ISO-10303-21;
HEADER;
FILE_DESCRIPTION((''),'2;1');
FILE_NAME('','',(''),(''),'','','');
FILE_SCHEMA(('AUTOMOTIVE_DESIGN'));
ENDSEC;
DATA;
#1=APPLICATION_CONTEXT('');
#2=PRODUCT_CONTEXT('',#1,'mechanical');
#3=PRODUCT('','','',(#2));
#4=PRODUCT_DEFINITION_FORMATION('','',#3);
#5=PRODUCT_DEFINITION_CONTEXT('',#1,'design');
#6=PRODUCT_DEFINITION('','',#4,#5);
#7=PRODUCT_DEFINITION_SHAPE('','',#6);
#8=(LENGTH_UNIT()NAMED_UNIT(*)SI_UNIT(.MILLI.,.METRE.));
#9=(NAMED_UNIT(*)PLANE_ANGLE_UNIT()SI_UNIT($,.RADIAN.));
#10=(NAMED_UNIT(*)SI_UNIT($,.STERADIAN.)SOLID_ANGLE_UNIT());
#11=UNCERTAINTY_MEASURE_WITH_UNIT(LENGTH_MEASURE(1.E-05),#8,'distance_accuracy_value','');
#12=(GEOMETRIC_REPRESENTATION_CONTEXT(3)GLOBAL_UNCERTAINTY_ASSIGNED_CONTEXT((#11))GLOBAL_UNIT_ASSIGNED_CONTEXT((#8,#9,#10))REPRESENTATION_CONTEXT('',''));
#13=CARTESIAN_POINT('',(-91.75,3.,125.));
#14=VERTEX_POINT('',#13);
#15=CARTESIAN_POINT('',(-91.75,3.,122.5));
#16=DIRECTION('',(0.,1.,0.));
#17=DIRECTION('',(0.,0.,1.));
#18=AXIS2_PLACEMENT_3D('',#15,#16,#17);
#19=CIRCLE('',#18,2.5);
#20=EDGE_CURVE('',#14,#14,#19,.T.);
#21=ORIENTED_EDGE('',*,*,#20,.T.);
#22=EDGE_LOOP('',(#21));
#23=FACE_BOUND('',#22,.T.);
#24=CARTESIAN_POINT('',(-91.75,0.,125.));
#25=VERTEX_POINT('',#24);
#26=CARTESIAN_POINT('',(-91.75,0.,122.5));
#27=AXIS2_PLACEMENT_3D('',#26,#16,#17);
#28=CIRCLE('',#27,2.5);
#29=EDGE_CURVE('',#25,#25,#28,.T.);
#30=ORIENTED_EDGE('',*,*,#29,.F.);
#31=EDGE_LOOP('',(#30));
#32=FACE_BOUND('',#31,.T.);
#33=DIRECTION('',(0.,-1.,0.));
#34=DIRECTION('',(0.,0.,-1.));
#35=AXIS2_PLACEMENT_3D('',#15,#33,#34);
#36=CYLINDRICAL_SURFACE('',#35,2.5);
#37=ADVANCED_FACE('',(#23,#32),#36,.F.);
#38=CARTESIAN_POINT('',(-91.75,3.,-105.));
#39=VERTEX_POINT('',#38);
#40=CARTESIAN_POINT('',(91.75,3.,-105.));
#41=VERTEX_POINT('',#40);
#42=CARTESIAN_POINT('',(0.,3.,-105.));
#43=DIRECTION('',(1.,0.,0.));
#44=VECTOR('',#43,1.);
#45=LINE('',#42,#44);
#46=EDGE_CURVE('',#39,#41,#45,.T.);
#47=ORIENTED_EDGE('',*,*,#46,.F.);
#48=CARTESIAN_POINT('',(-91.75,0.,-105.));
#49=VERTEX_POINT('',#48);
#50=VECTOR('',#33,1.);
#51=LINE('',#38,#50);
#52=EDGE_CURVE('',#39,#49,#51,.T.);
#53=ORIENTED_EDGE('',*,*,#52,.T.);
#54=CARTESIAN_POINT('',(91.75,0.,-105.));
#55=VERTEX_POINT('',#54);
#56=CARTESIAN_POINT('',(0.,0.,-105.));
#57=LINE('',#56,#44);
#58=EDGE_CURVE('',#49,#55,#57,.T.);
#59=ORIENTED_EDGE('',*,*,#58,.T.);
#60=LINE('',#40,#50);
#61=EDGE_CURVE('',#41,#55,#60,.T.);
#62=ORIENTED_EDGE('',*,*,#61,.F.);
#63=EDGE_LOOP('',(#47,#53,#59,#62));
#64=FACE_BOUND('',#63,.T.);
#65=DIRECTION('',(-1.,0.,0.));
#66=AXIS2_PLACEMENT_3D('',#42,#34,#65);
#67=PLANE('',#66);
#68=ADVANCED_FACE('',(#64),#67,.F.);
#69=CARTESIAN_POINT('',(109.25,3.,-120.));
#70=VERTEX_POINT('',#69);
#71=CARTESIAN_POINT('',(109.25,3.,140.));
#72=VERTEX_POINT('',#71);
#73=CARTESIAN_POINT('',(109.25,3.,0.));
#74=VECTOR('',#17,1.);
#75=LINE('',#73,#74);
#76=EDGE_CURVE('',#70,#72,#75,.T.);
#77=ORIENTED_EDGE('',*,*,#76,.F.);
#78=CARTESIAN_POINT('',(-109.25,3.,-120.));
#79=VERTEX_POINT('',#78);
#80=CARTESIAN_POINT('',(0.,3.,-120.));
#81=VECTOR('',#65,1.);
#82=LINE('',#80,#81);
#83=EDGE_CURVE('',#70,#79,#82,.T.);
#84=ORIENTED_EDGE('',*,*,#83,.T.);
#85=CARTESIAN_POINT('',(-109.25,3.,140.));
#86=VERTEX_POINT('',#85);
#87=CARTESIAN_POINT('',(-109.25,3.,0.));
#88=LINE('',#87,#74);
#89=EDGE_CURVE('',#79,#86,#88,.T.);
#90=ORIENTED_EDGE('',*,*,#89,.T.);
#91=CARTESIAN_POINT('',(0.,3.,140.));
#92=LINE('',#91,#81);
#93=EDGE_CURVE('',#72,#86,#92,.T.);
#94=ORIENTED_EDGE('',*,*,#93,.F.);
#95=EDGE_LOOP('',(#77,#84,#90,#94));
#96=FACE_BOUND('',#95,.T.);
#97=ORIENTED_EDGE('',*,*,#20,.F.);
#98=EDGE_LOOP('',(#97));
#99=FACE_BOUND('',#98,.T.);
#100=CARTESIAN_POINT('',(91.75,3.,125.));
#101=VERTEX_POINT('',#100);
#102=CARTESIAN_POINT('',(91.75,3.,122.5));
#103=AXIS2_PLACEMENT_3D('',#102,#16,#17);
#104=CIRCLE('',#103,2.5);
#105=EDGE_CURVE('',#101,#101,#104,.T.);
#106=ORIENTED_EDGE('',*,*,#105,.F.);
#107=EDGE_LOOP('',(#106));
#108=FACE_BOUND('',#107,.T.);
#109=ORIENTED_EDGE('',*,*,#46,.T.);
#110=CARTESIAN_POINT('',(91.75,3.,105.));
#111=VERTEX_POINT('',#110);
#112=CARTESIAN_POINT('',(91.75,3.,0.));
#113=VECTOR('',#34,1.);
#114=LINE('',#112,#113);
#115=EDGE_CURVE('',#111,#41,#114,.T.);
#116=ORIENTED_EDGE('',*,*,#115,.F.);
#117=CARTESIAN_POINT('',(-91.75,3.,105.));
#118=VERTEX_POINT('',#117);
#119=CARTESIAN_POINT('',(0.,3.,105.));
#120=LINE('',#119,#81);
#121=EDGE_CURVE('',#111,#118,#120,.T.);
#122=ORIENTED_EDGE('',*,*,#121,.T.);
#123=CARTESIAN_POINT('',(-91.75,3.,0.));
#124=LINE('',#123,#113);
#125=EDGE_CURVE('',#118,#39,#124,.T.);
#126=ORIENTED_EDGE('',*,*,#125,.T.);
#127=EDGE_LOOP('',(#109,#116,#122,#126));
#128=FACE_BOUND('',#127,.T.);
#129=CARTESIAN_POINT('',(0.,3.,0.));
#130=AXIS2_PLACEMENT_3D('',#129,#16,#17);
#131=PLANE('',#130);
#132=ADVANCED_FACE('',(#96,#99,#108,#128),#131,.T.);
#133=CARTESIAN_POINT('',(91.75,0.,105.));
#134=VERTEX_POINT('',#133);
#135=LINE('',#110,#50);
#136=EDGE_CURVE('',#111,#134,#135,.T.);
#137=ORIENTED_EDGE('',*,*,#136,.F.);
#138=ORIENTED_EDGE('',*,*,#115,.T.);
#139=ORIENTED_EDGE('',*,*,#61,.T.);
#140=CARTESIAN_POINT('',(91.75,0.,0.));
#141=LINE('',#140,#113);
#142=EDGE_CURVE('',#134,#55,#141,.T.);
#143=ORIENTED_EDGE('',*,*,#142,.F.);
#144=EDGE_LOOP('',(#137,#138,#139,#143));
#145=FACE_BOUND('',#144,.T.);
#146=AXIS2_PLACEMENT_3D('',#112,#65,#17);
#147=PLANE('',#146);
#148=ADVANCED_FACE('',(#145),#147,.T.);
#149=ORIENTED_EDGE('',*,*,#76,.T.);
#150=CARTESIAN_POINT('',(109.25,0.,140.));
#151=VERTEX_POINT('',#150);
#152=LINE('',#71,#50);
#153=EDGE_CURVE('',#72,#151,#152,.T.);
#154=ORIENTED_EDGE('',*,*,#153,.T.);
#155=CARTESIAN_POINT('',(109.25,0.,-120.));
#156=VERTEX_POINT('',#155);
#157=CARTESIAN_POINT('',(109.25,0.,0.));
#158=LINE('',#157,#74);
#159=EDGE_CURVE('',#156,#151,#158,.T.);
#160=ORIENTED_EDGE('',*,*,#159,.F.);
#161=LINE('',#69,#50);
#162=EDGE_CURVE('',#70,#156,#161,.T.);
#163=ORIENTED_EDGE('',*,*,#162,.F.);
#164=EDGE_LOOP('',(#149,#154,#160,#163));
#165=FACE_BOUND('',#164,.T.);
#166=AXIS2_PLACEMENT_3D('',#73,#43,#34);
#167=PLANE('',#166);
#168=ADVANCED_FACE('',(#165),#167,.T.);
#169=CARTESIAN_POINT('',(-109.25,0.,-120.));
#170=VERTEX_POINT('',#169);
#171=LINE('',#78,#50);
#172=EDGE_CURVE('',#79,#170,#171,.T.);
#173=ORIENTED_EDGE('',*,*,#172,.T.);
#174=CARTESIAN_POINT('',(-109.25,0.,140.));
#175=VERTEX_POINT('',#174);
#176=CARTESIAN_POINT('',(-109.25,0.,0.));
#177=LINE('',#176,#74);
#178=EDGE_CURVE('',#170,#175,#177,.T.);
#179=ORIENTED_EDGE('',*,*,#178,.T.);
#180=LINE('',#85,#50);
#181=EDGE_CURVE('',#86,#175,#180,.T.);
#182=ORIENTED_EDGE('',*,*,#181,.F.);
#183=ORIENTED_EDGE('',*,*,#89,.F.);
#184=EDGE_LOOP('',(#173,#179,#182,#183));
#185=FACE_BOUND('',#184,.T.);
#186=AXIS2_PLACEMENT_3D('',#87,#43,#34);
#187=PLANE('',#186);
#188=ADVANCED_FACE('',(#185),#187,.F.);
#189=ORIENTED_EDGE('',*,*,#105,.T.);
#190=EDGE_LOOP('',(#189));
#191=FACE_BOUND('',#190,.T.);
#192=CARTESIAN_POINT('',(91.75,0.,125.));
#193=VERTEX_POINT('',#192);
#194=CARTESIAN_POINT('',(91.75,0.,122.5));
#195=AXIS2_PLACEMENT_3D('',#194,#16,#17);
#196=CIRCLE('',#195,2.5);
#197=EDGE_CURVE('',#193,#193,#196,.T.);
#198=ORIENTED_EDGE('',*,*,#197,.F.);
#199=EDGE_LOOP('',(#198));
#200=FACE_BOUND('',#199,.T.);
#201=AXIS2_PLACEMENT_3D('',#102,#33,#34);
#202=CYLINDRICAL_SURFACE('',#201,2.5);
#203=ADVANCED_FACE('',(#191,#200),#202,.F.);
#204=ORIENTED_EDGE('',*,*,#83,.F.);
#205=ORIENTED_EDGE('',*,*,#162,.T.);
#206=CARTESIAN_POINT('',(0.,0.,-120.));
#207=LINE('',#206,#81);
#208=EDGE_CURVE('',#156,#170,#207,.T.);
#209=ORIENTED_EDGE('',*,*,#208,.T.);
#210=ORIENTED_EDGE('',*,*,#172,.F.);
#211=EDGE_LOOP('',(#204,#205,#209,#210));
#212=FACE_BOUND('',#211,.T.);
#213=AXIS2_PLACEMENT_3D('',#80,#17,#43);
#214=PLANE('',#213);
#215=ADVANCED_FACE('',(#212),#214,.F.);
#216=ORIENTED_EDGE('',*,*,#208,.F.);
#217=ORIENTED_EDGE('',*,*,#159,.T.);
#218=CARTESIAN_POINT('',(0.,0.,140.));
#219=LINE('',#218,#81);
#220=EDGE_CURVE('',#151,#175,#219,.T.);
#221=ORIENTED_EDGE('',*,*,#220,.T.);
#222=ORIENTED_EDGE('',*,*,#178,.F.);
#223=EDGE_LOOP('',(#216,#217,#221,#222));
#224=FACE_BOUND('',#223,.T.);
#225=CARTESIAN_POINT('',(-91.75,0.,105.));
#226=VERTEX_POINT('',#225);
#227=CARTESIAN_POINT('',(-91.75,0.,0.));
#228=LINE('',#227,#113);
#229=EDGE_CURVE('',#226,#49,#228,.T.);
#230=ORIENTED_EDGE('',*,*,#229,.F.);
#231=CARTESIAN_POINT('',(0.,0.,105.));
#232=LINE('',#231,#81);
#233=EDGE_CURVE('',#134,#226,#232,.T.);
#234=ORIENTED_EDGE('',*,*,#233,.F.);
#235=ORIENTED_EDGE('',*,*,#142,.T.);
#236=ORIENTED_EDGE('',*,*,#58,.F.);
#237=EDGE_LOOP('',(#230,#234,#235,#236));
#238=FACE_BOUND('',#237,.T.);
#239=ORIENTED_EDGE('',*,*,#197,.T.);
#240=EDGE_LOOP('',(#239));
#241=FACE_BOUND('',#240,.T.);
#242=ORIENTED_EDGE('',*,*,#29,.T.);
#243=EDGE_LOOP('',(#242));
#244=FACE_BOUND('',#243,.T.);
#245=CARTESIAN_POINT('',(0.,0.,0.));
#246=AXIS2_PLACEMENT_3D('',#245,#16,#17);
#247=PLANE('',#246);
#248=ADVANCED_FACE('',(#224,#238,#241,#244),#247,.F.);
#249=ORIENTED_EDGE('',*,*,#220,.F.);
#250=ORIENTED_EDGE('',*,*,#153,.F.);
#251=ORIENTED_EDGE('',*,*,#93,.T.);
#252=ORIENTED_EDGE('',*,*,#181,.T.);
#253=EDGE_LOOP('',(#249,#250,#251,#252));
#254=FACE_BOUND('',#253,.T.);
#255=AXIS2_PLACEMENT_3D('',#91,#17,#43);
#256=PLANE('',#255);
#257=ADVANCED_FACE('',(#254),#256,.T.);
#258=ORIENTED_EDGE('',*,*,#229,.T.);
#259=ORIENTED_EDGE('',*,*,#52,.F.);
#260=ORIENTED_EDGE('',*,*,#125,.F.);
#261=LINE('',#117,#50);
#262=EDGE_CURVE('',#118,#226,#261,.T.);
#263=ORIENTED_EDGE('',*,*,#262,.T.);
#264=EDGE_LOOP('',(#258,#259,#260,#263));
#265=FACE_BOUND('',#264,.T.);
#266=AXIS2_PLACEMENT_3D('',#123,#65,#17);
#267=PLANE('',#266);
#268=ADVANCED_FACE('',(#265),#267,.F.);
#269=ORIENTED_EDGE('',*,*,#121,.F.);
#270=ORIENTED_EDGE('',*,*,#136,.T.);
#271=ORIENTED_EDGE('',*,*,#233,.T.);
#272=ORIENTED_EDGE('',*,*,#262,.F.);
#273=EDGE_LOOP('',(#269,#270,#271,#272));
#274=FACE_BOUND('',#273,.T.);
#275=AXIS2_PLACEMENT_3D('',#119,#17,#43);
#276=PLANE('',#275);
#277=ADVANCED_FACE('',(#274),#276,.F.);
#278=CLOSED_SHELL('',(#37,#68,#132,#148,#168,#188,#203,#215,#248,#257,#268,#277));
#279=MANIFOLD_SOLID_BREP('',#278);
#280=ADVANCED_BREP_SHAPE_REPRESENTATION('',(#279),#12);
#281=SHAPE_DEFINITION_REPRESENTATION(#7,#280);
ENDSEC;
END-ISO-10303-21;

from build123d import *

# Parameters (mm, degrees)
SKETCH1_W           = 148.5
SKETCH1_H           = 35
BOSS_EXTRUDE1_DEPTH = 3


with BuildPart() as part:
    # Sketch1 → Boss-Extrude1 (new body)
    with BuildSketch(Plane(origin=(0, 0, 0), x_dir=(1, 0, 0), z_dir=(0, 1, 0))):
        Polygon((0, 105), (0, 120), (-91.75, 120), (-91.75, 105), (-74.25, 105), align=None)
        Polygon((91.75, 105), (91.75, 120), (0, 120), (0, 105), (74.25, 105), align=None)
        Polygon((109.25, -105), (109.25, 120), (91.75, 120), (91.75, 105), (91.75, -105), align=None)
        Polygon((-91.75, 105), (-91.75, 120), (-109.25, 120), (-109.25, -105), (-91.75, -105), align=None)
        with BuildLine():
            Line((-109.25, -140), (-74.25, -140))
            Line((-74.25, -140), (-74.25, -105))
            Line((-74.25, -105), (-89.982233047, -120.732233047))
            ThreePointArc((-89.982233047, -120.732233047), (-89.440301169, -121.543291419), (-89.25, -122.5))
            ThreePointArc((-89.25, -122.5), (-90.793291419, -124.809698831), (-93.517766953, -124.267766953))
            Line((-93.517766953, -124.267766953), (-109.25, -140))
        make_face()
        with BuildLine():
            Line((-89.982233047, -120.732233047), (-74.25, -105))
            Line((-74.25, -105), (-91.75, -105))
            Line((-91.75, -105), (-109.25, -105))
            Line((-109.25, -105), (-109.25, -140))
            Line((-109.25, -140), (-93.517766953, -124.267766953))
            ThreePointArc((-93.517766953, -124.267766953), (-93.517766953, -120.732233047), (-89.982233047, -120.732233047))
        make_face()
        with Locations((0, -122.5)):
            Rectangle(SKETCH1_W, SKETCH1_H)
        with BuildLine():
            Line((74.25, -140), (109.25, -140))
            Line((109.25, -140), (93.517766953, -124.267766953))
            ThreePointArc((93.517766953, -124.267766953), (89.982233047, -124.267766953), (89.982233047, -120.732233047))
            Line((89.982233047, -120.732233047), (74.25, -105))
            Line((74.25, -105), (74.25, -140))
        make_face()
        with BuildLine():
            Line((109.25, -140), (109.25, -105))
            Line((109.25, -105), (91.75, -105))
            Line((91.75, -105), (74.25, -105))
            Line((74.25, -105), (89.982233047, -120.732233047))
            ThreePointArc((89.982233047, -120.732233047), (92.706708581, -120.190301169), (94.25, -122.5))
            ThreePointArc((94.25, -122.5), (94.059698831, -123.456708581), (93.517766953, -124.267766953))
            Line((93.517766953, -124.267766953), (109.25, -140))
        make_face()
    extrude(amount=BOSS_EXTRUDE1_DEPTH)


solid = part.part
